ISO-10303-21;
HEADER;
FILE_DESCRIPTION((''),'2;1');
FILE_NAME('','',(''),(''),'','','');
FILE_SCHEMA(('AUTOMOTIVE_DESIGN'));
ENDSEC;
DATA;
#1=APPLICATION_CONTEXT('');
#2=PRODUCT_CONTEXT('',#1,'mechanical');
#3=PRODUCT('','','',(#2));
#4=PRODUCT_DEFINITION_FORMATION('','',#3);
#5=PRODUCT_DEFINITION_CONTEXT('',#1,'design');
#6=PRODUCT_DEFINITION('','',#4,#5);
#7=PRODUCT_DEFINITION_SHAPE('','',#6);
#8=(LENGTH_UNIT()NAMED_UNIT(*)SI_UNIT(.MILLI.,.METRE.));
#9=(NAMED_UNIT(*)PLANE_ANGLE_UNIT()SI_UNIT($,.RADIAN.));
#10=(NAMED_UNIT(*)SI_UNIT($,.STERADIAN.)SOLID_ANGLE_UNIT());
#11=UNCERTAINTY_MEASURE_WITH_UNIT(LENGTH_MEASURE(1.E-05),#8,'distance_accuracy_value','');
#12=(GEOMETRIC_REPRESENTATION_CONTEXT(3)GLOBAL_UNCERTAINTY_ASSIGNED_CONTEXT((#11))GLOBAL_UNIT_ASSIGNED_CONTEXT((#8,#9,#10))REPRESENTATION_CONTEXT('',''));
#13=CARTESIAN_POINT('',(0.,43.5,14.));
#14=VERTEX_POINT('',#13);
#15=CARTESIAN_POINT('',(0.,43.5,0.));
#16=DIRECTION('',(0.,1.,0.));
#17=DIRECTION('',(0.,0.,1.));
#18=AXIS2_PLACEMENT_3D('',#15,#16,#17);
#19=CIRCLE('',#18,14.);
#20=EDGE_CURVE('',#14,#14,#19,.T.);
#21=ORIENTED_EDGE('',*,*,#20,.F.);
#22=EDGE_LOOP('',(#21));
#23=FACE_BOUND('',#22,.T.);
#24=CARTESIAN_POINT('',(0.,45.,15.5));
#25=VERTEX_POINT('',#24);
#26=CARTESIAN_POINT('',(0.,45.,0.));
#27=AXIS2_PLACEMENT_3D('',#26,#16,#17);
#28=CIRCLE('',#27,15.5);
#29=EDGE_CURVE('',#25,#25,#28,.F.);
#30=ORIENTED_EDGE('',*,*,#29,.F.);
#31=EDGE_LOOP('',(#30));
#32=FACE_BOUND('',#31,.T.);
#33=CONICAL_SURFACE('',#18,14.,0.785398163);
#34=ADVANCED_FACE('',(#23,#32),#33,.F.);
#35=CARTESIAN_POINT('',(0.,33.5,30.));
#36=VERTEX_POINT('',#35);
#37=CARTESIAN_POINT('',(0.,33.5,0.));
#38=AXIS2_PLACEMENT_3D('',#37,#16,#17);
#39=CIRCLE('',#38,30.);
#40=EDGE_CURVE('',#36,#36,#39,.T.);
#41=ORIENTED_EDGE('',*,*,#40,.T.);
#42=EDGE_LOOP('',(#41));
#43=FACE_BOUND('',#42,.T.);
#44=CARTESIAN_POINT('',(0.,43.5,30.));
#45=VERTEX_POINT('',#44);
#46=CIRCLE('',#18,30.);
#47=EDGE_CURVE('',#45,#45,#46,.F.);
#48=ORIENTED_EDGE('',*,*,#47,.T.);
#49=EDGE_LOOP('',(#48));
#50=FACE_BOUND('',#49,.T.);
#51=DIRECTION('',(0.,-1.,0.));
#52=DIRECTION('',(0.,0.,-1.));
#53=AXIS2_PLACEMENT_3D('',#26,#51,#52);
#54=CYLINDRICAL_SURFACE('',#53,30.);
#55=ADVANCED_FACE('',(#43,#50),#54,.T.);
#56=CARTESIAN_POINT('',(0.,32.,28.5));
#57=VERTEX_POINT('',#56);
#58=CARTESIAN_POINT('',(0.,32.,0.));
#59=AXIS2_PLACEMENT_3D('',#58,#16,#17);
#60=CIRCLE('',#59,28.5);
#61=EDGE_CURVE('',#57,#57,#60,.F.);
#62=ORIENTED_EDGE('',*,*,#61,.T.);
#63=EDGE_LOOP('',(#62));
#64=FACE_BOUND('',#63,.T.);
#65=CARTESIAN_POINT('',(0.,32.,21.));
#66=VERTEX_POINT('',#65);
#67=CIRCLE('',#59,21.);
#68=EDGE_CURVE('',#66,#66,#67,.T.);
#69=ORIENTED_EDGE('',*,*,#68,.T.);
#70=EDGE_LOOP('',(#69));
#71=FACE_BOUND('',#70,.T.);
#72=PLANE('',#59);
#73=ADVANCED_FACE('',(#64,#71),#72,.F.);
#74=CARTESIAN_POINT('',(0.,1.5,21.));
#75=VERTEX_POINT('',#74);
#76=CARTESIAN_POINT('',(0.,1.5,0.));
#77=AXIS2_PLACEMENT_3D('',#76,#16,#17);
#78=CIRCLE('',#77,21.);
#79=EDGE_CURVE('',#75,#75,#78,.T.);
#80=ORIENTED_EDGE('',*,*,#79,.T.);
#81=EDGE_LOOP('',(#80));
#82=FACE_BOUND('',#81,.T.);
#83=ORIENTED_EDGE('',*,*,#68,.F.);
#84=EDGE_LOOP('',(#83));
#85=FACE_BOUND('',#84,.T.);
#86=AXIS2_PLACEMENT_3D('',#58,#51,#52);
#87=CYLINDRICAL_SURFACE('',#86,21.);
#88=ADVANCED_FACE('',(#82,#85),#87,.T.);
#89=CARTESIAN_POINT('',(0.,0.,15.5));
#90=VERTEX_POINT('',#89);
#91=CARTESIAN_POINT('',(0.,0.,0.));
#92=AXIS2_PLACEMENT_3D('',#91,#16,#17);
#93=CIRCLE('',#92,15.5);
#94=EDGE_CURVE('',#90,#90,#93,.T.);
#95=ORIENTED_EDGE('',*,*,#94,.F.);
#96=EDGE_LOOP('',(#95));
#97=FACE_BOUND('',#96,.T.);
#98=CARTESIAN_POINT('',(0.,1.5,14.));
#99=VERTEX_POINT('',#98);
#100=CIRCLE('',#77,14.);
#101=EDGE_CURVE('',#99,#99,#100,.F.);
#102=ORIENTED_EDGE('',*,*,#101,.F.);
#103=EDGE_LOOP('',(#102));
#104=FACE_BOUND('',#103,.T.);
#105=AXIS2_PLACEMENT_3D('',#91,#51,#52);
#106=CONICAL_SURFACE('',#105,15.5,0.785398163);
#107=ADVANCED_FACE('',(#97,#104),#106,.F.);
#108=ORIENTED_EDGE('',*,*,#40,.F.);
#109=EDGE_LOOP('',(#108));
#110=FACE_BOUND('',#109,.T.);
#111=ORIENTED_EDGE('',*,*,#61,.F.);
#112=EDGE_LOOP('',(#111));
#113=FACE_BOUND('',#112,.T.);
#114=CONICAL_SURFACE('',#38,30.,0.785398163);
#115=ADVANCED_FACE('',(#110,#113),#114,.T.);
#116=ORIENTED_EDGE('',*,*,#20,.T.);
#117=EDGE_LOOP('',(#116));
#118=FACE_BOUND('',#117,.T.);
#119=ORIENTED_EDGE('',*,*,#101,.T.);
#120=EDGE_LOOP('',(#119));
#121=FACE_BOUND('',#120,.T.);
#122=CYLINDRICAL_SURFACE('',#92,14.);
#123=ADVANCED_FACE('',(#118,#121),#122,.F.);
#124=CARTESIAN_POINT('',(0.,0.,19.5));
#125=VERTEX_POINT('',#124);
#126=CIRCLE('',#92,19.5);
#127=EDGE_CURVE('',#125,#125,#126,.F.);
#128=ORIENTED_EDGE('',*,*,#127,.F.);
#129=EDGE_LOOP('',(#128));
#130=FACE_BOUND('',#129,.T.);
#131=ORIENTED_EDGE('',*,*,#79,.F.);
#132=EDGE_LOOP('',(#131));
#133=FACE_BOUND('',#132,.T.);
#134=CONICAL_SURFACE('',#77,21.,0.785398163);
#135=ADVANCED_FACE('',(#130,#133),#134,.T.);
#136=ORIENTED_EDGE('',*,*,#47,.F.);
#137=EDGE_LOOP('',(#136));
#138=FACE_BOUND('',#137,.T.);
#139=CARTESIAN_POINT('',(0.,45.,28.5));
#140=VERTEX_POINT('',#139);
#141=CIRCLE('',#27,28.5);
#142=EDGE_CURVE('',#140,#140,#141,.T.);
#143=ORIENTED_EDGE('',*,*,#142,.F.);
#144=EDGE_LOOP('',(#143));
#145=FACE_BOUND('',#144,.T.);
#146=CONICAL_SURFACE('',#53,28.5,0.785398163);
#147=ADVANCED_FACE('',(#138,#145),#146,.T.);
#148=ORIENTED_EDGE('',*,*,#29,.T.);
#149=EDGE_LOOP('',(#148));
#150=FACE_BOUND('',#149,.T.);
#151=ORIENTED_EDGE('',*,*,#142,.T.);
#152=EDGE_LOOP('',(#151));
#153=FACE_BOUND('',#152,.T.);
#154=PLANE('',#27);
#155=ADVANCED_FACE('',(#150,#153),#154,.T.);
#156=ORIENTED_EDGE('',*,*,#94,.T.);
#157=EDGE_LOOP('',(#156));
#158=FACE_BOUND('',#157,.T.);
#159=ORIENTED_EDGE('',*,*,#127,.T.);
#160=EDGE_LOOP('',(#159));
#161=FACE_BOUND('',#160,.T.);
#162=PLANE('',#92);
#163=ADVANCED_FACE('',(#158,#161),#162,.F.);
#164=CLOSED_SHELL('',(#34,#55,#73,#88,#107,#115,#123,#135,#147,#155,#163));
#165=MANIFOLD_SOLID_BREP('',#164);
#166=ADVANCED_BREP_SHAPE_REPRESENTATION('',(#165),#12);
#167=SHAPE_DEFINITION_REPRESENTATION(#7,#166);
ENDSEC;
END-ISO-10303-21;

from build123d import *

# Parameters (mm, degrees)
SKETCH_1_R          = 21
EXTRUDE_1_DEPTH     = 32
SKETCH_2_R          = 30
EXTRUDE_2_DEPTH     = 13
SKETCH_3_R          = 14
CUT_EXTRUDE_1_DEPTH = 46
CHAMFER_1_SIZE      = 1.5


with BuildPart() as part:
    # 草图1 → 凸台-拉伸1 (new body)
    with BuildSketch(Plane(origin=(0, 0, 0), x_dir=(1, 0, 0), z_dir=(0, 1, 0))):
        Circle(SKETCH_1_R)
    extrude(amount=EXTRUDE_1_DEPTH)

    # 草图2 → 凸台-拉伸2 (add)
    with BuildSketch(Plane(origin=(0, 32, 0), x_dir=(1, 0, 0), z_dir=(0, 1, 0))):
        Circle(SKETCH_2_R)
    extrude(amount=EXTRUDE_2_DEPTH)

    # 草图3 → 切除-拉伸1 (cut, through all)
    with BuildSketch(Plane(origin=(0, 45, 0), x_dir=(1, 0, 0), z_dir=(0, 1, 0))):
        Circle(SKETCH_3_R)
    extrude(amount=-CUT_EXTRUDE_1_DEPTH, mode=Mode.SUBTRACT)

    # 倒角1
    chamfer_1_edges = [part.edges().sort_by_distance(p)[0] for p in [
        (-14, 0, 0),
        (-14, 45, 0),
        (-21, 0, 0),
        (-30, 32, 0),
        (-30, 45, 0),
    ]]
    chamfer(chamfer_1_edges, length=CHAMFER_1_SIZE)


solid = part.part
